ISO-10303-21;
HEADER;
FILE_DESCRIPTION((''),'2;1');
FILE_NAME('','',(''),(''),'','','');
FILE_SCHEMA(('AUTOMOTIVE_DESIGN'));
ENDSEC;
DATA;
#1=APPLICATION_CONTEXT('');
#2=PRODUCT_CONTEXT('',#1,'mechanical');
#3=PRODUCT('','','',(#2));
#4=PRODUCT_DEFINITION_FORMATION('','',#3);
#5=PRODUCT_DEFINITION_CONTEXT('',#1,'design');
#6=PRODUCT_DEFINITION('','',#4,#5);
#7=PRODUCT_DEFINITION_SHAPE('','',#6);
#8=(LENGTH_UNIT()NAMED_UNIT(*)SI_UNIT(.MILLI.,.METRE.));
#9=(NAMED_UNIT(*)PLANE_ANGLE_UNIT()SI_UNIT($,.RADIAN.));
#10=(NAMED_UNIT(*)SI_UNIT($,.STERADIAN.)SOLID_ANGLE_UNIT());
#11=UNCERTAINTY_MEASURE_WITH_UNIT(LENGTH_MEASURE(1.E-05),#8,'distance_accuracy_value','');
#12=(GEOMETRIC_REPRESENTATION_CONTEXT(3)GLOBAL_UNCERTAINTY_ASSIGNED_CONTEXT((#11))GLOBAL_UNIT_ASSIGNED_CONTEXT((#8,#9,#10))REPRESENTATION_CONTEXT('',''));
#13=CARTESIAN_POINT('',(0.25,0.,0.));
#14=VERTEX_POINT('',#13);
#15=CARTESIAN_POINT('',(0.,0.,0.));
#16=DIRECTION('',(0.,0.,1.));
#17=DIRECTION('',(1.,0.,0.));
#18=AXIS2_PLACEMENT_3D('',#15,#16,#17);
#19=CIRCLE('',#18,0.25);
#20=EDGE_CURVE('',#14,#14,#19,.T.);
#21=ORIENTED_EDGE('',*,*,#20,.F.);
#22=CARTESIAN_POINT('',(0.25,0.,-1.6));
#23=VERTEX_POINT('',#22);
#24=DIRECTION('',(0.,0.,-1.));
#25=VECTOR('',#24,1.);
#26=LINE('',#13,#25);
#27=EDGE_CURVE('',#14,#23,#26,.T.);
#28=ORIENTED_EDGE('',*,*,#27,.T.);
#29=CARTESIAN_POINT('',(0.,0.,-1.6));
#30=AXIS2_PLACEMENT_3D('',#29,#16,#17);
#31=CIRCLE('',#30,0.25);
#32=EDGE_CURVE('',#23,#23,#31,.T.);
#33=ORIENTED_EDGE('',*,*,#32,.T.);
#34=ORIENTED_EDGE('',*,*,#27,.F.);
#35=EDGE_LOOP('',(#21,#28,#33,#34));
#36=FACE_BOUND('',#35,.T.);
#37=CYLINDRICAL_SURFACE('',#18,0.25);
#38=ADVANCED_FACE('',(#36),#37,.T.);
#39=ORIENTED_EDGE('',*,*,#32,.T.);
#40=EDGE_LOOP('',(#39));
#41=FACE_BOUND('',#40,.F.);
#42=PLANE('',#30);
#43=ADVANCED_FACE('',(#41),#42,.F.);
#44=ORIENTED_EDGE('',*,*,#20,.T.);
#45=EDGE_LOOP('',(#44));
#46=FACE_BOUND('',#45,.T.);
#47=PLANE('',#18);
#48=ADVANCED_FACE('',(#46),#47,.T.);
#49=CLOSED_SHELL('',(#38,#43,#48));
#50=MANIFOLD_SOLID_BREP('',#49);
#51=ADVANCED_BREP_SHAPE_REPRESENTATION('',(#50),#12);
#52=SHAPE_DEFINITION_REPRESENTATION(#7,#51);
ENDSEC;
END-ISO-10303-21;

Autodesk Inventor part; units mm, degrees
ref_plane "YZ Plane" through (0, 0, 0) normal (1, 0, 0) x (0, 1, 0)
ref_plane "XZ Plane" through (0, 0, 0) normal (0, 1, 0) x (-1, 0, 0)
ref_plane "XY Plane" through (0, 0, 0) normal (0, 0, 1) x (1, 0, 0)
sketch "Esboço1" plane through (0, 0, 0) normal (0, 0, 1) x (1, 0, 0)
  circle A0 centre (0, 0) radius 0.25
  dimension "d0" = 0.5
extrude "Extrusão1" add sketch "Esboço1" against normal blind 1.6
properties material "Liga de Nickel-Copper 400"
